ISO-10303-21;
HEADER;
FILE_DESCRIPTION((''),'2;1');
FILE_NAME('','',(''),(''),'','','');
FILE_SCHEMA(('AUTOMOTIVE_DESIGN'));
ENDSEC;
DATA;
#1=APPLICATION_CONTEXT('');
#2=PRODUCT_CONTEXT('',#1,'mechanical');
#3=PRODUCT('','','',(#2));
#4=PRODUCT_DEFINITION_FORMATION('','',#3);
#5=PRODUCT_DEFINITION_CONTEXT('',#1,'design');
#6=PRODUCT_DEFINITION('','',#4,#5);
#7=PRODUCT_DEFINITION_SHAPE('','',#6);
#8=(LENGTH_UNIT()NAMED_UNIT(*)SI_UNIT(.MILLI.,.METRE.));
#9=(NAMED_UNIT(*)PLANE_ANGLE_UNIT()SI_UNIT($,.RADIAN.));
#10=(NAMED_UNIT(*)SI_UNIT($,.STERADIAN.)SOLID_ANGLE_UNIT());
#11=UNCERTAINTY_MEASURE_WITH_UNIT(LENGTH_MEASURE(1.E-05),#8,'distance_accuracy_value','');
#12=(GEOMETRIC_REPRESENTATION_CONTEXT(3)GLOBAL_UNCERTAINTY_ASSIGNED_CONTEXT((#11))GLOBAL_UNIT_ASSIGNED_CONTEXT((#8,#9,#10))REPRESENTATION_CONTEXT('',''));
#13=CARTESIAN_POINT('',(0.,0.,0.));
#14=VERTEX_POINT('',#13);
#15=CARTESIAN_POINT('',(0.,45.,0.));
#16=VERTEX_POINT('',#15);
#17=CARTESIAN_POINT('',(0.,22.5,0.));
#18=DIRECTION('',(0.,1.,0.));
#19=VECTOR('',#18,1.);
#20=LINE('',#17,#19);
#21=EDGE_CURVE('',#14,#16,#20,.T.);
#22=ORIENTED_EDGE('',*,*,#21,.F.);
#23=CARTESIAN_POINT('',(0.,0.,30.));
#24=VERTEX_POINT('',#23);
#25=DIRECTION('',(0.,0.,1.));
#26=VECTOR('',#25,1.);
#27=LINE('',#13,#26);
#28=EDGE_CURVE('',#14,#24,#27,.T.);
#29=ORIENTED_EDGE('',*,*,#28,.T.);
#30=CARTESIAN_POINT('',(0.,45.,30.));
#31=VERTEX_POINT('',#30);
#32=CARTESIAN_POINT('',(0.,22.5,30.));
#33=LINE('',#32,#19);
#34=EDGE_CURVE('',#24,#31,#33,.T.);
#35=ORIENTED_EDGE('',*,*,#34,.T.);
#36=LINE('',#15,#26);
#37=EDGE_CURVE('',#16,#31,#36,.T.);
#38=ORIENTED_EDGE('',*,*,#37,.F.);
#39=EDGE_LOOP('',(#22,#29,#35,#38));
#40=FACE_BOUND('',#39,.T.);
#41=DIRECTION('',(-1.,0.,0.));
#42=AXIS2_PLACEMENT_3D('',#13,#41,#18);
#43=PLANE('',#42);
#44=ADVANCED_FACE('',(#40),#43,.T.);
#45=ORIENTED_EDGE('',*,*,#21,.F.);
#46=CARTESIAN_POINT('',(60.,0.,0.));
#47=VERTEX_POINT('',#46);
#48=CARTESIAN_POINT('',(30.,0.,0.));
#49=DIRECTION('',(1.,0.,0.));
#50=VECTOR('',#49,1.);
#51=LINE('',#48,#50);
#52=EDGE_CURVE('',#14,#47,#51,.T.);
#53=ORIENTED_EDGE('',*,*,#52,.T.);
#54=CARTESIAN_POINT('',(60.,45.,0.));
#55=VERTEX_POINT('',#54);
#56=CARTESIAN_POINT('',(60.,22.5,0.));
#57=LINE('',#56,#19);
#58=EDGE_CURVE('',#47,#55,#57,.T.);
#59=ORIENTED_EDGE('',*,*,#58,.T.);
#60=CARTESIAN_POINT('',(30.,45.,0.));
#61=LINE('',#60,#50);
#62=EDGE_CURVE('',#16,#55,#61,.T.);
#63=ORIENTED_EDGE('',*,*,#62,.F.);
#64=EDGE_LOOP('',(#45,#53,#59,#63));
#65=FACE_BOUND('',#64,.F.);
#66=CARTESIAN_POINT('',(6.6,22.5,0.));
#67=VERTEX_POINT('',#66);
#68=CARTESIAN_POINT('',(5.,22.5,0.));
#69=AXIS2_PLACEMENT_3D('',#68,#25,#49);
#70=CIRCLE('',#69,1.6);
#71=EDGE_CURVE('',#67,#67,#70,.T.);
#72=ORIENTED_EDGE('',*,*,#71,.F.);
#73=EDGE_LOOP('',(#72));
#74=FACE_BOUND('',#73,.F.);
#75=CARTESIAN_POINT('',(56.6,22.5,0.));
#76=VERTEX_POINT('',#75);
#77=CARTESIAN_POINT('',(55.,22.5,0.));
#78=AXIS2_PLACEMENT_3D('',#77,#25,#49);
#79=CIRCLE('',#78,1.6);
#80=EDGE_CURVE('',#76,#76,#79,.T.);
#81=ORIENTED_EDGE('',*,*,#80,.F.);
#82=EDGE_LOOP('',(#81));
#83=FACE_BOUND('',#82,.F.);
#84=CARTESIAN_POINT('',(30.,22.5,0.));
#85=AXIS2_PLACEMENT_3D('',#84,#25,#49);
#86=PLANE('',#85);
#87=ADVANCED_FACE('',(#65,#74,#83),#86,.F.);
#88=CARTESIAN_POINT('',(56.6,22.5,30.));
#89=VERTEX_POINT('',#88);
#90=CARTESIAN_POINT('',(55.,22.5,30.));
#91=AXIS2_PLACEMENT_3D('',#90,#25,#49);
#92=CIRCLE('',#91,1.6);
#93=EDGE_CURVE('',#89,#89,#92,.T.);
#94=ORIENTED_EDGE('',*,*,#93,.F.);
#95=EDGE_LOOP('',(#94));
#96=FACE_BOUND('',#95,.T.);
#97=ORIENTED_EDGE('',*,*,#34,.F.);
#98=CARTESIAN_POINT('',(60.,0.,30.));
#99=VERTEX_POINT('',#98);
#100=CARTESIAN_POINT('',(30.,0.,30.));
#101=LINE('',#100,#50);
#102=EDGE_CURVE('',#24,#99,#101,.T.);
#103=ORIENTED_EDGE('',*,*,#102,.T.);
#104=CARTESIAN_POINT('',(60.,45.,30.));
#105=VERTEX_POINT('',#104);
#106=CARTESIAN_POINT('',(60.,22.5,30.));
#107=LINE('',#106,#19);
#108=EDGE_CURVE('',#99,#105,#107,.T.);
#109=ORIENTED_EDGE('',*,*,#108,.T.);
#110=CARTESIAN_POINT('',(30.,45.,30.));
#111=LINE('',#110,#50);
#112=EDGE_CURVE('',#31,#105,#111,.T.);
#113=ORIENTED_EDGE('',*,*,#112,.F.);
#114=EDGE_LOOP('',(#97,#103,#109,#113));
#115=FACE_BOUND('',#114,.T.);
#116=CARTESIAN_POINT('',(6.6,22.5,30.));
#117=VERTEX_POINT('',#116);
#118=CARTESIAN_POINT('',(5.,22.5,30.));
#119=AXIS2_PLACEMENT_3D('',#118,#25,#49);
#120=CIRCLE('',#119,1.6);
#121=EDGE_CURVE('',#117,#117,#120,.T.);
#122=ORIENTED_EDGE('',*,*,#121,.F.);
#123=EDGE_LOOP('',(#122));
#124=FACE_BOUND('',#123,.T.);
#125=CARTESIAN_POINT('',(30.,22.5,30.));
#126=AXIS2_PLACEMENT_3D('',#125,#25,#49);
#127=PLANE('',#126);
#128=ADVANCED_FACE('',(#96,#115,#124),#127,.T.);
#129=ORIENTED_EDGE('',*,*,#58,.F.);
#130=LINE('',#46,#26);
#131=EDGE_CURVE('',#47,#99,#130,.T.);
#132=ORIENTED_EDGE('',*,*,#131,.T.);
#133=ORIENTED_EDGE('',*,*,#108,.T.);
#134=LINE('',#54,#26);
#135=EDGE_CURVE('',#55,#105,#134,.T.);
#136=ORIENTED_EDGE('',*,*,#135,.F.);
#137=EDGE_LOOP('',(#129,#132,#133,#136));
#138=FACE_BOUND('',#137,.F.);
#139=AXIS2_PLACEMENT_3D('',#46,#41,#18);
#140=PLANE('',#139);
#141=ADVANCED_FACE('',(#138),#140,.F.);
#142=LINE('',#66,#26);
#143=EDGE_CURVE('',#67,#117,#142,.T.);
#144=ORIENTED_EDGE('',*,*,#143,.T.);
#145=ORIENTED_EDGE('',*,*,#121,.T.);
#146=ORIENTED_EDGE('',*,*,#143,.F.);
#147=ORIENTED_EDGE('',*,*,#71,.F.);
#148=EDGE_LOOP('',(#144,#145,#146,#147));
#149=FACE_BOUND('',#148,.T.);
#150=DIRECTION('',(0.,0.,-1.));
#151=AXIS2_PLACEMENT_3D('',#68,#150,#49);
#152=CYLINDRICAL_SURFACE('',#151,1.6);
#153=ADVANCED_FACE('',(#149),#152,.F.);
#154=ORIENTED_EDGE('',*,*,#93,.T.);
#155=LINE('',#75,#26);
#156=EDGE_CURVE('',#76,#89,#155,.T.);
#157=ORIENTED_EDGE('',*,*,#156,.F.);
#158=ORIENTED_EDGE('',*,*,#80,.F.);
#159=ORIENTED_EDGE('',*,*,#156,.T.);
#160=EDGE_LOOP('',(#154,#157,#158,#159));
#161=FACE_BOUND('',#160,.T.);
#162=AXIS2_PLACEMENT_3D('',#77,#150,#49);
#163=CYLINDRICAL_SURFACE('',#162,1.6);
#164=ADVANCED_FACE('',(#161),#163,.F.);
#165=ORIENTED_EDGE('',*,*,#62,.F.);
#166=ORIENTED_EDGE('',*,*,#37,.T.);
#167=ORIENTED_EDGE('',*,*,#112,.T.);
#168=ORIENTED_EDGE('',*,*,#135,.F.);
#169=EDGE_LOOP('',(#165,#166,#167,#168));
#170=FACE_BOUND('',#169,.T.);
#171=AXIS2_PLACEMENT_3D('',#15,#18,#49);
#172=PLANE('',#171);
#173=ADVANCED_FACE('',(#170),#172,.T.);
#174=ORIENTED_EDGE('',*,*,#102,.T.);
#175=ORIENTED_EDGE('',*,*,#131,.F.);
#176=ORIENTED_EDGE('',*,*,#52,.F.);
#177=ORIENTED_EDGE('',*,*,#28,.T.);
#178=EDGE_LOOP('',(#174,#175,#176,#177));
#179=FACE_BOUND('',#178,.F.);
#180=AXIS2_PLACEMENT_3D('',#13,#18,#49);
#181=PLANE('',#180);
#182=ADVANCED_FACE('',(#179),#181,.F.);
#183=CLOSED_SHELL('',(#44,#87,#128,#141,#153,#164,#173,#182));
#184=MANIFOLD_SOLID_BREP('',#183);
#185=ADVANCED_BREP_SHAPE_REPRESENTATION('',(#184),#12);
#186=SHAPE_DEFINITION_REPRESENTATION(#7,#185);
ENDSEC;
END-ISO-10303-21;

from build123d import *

# Parameters (mm, degrees)
SKETCH_W  = 60
SKETCH_H  = 45
SKETCH_R  = 1.6
PAD_DEPTH = 30


with BuildPart() as part:
    # Sketch → Pad (new body)
    with BuildSketch(Plane.XY):
        with Locations((30, 22.5)):
            Rectangle(SKETCH_W, SKETCH_H)
        with Locations((5, 22.5)):
            Circle(SKETCH_R, mode=Mode.SUBTRACT)
        with Locations((55, 22.5)):
            Circle(SKETCH_R, mode=Mode.SUBTRACT)
    extrude(amount=PAD_DEPTH)


solid = part.part
